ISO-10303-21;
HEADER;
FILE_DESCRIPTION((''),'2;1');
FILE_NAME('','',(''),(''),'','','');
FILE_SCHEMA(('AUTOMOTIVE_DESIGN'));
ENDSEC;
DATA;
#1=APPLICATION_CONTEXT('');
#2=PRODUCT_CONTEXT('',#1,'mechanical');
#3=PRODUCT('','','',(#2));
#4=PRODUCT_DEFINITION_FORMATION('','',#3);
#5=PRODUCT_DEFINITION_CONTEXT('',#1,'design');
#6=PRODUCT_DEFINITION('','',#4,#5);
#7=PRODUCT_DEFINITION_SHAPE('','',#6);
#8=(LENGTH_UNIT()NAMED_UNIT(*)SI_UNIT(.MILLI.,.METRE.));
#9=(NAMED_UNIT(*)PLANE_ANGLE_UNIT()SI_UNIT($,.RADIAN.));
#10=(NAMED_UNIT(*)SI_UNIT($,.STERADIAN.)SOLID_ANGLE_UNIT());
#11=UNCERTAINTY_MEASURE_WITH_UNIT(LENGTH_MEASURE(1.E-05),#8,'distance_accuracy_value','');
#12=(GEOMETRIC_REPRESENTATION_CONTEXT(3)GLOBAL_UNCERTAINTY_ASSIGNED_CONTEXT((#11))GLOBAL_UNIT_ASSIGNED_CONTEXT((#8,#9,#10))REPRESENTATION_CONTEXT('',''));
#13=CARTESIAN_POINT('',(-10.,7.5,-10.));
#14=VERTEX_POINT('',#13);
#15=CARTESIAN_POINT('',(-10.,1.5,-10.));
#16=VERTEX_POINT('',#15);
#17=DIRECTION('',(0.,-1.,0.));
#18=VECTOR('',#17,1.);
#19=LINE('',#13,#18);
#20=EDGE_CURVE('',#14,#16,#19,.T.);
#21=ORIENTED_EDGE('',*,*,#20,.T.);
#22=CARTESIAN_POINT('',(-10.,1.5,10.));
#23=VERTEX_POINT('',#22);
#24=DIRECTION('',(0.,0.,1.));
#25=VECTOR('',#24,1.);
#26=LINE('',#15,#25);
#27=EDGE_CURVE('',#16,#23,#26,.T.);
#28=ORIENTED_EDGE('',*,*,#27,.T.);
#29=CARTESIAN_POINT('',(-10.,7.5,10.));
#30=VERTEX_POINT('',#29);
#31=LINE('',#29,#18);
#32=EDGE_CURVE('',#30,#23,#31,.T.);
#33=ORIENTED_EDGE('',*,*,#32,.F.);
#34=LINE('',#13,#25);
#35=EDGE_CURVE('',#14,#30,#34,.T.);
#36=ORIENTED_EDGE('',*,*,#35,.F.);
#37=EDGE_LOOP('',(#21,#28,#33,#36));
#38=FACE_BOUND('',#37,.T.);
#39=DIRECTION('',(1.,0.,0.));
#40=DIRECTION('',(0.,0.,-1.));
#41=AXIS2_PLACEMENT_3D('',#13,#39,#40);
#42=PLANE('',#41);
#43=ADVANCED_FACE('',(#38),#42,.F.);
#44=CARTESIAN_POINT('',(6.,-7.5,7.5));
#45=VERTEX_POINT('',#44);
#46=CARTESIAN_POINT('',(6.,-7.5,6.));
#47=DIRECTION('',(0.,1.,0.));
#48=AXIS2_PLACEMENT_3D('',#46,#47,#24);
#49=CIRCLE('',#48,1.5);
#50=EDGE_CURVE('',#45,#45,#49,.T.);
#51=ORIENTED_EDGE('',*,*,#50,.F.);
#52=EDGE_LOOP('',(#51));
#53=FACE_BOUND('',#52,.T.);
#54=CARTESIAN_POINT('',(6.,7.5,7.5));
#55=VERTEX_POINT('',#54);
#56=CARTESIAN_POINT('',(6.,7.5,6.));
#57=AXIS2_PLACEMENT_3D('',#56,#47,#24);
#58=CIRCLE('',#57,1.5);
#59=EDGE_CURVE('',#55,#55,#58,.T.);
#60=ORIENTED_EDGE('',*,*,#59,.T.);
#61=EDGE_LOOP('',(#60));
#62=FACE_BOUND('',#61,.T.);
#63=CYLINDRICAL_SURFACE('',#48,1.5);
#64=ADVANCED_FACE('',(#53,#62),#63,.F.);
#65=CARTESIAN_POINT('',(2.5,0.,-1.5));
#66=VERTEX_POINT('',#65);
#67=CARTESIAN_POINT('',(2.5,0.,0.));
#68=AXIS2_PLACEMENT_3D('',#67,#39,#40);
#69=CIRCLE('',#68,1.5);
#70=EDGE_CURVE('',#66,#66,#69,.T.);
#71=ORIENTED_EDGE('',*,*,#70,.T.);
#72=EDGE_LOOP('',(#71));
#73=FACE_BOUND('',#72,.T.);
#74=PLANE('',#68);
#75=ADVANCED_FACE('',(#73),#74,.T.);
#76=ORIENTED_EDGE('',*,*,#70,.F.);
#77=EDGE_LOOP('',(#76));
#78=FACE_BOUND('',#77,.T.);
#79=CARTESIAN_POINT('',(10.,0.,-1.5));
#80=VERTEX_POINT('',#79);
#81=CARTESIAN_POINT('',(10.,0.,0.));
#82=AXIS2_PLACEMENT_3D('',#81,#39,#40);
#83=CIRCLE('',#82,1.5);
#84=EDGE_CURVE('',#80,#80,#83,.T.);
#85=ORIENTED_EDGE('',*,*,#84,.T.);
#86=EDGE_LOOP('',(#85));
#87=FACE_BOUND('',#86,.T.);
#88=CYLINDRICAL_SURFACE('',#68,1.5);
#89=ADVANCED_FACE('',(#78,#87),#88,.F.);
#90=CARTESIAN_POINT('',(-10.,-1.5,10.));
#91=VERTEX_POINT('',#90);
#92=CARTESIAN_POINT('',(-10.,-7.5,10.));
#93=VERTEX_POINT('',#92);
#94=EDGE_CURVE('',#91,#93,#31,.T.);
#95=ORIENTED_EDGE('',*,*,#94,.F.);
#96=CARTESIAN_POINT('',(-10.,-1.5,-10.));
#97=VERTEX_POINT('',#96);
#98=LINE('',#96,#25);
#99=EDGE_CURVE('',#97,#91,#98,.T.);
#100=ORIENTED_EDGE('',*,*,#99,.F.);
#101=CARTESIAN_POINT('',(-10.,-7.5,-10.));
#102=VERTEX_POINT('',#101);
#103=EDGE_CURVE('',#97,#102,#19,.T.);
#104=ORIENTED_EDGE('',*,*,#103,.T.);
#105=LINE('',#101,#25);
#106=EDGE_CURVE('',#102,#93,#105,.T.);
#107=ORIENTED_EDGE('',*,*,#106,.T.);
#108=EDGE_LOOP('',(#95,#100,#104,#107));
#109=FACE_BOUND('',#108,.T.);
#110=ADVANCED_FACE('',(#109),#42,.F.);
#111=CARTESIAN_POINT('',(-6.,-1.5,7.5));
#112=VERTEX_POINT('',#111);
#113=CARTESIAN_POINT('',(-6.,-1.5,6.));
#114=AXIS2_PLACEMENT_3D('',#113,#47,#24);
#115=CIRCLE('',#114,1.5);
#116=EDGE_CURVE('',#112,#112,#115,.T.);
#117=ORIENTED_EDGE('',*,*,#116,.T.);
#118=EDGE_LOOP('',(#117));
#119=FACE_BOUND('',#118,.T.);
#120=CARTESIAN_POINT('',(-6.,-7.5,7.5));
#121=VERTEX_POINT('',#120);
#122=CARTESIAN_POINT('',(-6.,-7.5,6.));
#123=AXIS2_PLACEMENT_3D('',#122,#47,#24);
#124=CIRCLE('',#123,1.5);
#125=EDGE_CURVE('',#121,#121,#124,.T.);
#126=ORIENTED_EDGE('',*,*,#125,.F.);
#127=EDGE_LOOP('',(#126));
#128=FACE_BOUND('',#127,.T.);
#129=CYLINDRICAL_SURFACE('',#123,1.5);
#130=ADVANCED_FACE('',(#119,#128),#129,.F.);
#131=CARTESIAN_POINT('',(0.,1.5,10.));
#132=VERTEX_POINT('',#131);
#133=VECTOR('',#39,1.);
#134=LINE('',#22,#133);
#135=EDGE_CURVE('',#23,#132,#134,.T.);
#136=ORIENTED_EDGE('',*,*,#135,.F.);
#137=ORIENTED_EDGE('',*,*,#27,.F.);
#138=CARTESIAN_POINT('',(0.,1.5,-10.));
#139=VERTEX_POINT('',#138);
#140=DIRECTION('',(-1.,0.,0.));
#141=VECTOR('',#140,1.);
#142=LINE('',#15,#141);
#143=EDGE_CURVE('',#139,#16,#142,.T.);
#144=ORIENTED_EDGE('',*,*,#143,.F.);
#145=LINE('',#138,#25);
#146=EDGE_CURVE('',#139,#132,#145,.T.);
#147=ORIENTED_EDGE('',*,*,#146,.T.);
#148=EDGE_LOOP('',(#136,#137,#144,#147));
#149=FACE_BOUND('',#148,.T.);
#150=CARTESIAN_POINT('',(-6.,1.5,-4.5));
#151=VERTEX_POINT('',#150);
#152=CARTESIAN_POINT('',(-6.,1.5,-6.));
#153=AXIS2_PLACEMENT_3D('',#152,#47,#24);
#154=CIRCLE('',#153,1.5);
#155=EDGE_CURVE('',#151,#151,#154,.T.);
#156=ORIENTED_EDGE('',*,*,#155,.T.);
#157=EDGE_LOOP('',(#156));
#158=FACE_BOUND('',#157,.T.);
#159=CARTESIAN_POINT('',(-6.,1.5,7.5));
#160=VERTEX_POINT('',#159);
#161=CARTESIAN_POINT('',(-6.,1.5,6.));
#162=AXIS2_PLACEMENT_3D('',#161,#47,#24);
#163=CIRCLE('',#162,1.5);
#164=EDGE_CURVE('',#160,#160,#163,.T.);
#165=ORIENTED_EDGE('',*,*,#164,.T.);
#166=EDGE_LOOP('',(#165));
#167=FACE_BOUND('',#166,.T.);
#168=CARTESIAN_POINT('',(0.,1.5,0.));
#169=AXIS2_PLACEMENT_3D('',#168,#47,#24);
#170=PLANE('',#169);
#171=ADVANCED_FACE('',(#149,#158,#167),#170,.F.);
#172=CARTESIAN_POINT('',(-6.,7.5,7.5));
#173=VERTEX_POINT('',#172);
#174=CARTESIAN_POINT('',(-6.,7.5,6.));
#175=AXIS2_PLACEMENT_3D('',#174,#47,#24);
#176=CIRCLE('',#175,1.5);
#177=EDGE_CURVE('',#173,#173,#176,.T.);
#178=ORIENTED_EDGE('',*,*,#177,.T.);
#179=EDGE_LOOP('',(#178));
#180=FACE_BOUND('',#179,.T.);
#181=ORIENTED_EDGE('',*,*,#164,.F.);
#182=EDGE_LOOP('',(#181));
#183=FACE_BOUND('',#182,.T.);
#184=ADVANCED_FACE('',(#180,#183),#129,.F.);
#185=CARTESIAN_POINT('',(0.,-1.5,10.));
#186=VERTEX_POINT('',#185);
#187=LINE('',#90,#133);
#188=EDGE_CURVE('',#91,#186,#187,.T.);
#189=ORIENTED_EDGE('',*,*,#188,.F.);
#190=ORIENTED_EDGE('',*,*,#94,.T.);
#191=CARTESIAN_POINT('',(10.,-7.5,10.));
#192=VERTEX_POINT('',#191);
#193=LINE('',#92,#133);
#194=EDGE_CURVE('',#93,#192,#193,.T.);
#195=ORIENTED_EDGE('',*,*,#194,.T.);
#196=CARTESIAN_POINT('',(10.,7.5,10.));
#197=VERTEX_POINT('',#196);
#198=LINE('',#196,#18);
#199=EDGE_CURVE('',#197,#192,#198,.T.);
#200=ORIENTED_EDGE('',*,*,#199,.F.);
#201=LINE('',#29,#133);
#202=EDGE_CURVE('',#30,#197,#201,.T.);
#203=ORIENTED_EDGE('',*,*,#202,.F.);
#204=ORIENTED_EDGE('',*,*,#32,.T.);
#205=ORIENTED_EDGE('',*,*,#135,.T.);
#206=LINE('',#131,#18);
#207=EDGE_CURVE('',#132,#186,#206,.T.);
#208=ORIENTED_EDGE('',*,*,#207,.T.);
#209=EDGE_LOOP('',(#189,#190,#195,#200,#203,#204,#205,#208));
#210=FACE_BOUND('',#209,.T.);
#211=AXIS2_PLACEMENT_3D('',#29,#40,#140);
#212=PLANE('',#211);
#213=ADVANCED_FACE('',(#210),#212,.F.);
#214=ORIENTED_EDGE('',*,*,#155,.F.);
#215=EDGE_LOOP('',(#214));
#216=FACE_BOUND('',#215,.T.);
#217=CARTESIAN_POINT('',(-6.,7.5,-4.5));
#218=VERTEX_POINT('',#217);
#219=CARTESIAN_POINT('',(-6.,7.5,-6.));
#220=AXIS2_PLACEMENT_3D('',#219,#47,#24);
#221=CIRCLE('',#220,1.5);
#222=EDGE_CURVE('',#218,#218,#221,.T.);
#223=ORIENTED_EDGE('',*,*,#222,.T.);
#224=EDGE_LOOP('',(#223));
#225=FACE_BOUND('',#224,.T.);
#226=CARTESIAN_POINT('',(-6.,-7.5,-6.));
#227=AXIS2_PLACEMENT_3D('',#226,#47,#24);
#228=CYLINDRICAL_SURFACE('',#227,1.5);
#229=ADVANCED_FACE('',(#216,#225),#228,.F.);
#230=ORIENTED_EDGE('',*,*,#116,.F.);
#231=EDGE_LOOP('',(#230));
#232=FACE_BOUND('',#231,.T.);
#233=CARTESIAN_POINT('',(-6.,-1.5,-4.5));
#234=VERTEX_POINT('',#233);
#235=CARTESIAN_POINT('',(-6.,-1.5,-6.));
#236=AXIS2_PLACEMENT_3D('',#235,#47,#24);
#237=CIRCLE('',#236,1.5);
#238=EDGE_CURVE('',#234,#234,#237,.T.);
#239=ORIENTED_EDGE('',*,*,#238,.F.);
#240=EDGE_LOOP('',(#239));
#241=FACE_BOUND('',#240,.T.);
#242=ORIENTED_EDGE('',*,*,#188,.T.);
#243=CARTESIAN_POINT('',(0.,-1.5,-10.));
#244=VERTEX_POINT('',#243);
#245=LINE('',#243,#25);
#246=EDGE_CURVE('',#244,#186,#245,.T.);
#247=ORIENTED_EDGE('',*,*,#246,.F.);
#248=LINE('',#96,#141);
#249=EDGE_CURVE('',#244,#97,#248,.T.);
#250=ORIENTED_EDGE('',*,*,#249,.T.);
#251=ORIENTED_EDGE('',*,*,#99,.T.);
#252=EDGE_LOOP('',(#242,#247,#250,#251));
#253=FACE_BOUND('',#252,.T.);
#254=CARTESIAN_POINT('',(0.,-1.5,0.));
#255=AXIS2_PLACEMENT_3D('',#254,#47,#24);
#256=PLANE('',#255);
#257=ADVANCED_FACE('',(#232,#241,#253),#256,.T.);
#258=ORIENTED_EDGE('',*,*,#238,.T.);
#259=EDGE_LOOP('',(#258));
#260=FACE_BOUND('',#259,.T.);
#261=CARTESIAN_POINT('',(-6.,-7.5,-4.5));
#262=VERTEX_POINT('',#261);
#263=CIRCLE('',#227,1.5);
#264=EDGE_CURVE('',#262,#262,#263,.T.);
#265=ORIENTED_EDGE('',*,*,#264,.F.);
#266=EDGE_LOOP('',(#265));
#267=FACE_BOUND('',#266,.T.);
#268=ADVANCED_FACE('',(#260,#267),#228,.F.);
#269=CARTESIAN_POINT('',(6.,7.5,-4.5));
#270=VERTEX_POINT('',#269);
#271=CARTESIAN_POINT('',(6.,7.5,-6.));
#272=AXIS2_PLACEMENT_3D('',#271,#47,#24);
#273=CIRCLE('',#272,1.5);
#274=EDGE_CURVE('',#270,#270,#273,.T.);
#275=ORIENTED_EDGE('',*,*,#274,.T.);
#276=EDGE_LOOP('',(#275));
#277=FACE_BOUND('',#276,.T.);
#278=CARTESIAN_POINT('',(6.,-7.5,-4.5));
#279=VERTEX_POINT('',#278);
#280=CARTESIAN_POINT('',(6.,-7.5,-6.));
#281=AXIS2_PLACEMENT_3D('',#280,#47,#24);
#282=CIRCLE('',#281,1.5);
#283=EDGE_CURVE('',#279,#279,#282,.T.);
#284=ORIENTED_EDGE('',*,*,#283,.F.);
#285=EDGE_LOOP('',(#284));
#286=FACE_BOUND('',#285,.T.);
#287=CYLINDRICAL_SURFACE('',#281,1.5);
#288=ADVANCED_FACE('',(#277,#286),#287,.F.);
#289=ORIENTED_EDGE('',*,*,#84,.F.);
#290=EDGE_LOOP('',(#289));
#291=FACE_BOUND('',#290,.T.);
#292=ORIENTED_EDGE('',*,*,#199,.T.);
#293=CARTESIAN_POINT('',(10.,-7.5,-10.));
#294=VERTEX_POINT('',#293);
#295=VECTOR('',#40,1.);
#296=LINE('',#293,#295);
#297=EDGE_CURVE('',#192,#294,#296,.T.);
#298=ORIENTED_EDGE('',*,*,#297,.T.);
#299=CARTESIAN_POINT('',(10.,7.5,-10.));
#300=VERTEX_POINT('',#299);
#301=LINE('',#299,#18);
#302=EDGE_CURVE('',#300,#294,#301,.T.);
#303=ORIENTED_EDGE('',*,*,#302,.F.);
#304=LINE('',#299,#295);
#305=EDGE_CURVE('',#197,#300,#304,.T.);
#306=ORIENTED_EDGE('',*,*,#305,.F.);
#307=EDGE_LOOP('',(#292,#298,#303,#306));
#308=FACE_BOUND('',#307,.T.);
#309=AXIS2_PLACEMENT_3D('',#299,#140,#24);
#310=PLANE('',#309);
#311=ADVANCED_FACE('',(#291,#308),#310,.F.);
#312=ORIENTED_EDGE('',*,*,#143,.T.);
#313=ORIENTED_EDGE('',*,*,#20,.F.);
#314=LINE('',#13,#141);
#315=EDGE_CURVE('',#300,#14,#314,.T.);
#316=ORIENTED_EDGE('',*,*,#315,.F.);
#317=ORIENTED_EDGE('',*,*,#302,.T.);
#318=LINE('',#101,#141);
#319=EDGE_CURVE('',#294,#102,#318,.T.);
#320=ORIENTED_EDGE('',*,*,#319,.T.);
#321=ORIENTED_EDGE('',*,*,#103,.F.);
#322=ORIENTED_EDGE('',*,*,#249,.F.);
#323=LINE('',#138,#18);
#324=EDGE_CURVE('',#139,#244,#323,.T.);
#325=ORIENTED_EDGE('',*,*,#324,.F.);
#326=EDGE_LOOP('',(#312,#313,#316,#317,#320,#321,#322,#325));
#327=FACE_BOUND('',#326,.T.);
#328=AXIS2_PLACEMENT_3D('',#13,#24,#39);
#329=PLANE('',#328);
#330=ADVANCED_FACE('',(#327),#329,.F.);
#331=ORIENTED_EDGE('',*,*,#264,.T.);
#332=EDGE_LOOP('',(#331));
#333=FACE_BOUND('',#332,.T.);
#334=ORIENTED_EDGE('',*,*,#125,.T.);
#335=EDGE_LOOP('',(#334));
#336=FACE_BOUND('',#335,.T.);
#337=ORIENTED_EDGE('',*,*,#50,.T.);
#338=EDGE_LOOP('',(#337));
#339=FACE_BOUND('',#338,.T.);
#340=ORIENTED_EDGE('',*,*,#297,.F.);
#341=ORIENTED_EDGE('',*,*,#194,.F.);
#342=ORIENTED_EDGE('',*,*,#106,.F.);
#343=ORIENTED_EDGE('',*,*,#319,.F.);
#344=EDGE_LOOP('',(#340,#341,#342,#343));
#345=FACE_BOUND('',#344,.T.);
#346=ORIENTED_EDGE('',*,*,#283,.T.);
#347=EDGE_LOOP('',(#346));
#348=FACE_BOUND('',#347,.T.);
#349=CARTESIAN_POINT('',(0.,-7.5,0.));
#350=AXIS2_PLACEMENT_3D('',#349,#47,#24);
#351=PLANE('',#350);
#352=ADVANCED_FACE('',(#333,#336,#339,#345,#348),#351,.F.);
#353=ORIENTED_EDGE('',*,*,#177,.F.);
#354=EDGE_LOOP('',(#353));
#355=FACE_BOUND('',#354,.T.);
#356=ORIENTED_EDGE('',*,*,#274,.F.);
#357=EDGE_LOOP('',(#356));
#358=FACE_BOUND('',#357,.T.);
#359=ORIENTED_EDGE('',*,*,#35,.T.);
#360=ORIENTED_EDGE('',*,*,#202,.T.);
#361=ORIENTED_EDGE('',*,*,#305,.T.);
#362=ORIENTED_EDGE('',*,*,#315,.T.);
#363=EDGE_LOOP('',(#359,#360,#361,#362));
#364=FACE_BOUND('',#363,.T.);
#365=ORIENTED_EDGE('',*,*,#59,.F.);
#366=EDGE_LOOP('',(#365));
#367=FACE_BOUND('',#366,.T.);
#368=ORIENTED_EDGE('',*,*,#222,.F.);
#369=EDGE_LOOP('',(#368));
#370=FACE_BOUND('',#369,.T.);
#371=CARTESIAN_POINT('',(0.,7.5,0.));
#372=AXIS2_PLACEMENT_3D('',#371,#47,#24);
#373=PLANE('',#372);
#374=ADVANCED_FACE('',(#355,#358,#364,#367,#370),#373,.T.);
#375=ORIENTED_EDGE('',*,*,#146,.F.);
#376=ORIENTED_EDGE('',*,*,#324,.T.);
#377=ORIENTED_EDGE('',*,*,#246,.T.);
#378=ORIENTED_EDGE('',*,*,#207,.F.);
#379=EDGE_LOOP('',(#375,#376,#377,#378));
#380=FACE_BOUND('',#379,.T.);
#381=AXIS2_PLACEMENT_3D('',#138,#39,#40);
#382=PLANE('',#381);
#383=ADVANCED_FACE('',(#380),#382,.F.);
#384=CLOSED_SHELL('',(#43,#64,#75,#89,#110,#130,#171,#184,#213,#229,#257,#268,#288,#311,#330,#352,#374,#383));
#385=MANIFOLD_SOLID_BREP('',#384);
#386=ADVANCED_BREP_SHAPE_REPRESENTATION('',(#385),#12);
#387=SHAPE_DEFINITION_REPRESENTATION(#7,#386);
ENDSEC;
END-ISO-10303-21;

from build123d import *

# Parameters (mm, degrees)
SKETCH1_W               = 20
SKETCH1_H               = 20
BOSS_EXTRUDE1_DEPTH     = 7.5
SKETCH1_3_W             = 20
SKETCH1_3_H             = 20
CUT_EXTRUDE2_DEPTH      = 1.5
SKETCH3_W               = 10
SKETCH3_H               = 20
BOSS_EXTRUDE2_DEPTH     = 1.5
SKETCH4_R               = 1.5
CUT_EXTRUDE3_DEPTH      = 7.5
CUT_EXTRUDE4_DEPTH      = 17.007810594
CUT_EXTRUDE4_DEPTH_BACK = 17.007810594
SKETCH5_R               = 1.5


with BuildPart() as part:
    # Sketch1 → Boss-Extrude1 (new, symmetric)
    with BuildSketch(Plane(origin=(0, 0, 0), x_dir=(1, 0, 0), z_dir=(0, 1, 0))):
        Rectangle(SKETCH1_W, SKETCH1_H)
    extrude(amount=BOSS_EXTRUDE1_DEPTH, both=True)

    # Sketch1<3> → Cut-Extrude2 (cut, symmetric)
    with BuildSketch(Plane(origin=(0, 0, 0), x_dir=(1, 0, 0), z_dir=(0, 1, 0))):
        Rectangle(SKETCH1_3_W, SKETCH1_3_H)
    extrude(amount=CUT_EXTRUDE2_DEPTH, both=True, mode=Mode.SUBTRACT)


with BuildPart() as cut_extrude2_piece_1:
    # of the separate pieces the step leaves, piece 1, a body of its own (cut_extrude2_pieces)
    add(part.part.solids().sort_by_distance((-10, -7.5, -10))[0])



with BuildPart() as cut_extrude2_piece_2:
    # of the separate pieces the step leaves, piece 2, a body of its own (cut_extrude2_pieces)
    add(part.part.solids().sort_by_distance((-10, 1.5, -10))[0])


with BuildPart() as cut_extrude2_piece_1_1:
    add(cut_extrude2_piece_1.part)

    add(cut_extrude2_piece_2.part)  # Boss-Extrude2 merges Cut-Extrude2 piece 2
    # Sketch3 → Boss-Extrude2 (add, symmetric)
    with BuildSketch(Plane(origin=(0, 0, 0), x_dir=(1, 0, 0), z_dir=(0, 1, 0))):
        with Locations((5, 0)):
            Rectangle(SKETCH3_W, SKETCH3_H)
    extrude(amount=BOSS_EXTRUDE2_DEPTH, both=True)

    # Sketch4 → Cut-Extrude3 (cut)
    with BuildSketch(Plane(origin=(10, 0, 0), x_dir=(0, 0, -1), z_dir=(1, 0, 0))):
        Circle(SKETCH4_R)
    extrude(amount=-CUT_EXTRUDE3_DEPTH, mode=Mode.SUBTRACT)

    # Sketch5 → Cut-Extrude4 (cut, two sides: drawn at the far end of the back side and taken through both)
    with BuildSketch(Plane(origin=(0, 0, 0), x_dir=(1, 0, 0), z_dir=(0, 1, 0)).offset(-CUT_EXTRUDE4_DEPTH_BACK)):
        with Locations((-6, 6)):
            Circle(SKETCH5_R)
        with Locations((6, 6)):
            Circle(SKETCH5_R)
        with Locations((6, -6)):
            Circle(SKETCH5_R)
        with Locations((-6, -6)):
            Circle(SKETCH5_R)
    extrude(amount=CUT_EXTRUDE4_DEPTH + CUT_EXTRUDE4_DEPTH_BACK, mode=Mode.SUBTRACT)


solid = cut_extrude2_piece_1_1.part
